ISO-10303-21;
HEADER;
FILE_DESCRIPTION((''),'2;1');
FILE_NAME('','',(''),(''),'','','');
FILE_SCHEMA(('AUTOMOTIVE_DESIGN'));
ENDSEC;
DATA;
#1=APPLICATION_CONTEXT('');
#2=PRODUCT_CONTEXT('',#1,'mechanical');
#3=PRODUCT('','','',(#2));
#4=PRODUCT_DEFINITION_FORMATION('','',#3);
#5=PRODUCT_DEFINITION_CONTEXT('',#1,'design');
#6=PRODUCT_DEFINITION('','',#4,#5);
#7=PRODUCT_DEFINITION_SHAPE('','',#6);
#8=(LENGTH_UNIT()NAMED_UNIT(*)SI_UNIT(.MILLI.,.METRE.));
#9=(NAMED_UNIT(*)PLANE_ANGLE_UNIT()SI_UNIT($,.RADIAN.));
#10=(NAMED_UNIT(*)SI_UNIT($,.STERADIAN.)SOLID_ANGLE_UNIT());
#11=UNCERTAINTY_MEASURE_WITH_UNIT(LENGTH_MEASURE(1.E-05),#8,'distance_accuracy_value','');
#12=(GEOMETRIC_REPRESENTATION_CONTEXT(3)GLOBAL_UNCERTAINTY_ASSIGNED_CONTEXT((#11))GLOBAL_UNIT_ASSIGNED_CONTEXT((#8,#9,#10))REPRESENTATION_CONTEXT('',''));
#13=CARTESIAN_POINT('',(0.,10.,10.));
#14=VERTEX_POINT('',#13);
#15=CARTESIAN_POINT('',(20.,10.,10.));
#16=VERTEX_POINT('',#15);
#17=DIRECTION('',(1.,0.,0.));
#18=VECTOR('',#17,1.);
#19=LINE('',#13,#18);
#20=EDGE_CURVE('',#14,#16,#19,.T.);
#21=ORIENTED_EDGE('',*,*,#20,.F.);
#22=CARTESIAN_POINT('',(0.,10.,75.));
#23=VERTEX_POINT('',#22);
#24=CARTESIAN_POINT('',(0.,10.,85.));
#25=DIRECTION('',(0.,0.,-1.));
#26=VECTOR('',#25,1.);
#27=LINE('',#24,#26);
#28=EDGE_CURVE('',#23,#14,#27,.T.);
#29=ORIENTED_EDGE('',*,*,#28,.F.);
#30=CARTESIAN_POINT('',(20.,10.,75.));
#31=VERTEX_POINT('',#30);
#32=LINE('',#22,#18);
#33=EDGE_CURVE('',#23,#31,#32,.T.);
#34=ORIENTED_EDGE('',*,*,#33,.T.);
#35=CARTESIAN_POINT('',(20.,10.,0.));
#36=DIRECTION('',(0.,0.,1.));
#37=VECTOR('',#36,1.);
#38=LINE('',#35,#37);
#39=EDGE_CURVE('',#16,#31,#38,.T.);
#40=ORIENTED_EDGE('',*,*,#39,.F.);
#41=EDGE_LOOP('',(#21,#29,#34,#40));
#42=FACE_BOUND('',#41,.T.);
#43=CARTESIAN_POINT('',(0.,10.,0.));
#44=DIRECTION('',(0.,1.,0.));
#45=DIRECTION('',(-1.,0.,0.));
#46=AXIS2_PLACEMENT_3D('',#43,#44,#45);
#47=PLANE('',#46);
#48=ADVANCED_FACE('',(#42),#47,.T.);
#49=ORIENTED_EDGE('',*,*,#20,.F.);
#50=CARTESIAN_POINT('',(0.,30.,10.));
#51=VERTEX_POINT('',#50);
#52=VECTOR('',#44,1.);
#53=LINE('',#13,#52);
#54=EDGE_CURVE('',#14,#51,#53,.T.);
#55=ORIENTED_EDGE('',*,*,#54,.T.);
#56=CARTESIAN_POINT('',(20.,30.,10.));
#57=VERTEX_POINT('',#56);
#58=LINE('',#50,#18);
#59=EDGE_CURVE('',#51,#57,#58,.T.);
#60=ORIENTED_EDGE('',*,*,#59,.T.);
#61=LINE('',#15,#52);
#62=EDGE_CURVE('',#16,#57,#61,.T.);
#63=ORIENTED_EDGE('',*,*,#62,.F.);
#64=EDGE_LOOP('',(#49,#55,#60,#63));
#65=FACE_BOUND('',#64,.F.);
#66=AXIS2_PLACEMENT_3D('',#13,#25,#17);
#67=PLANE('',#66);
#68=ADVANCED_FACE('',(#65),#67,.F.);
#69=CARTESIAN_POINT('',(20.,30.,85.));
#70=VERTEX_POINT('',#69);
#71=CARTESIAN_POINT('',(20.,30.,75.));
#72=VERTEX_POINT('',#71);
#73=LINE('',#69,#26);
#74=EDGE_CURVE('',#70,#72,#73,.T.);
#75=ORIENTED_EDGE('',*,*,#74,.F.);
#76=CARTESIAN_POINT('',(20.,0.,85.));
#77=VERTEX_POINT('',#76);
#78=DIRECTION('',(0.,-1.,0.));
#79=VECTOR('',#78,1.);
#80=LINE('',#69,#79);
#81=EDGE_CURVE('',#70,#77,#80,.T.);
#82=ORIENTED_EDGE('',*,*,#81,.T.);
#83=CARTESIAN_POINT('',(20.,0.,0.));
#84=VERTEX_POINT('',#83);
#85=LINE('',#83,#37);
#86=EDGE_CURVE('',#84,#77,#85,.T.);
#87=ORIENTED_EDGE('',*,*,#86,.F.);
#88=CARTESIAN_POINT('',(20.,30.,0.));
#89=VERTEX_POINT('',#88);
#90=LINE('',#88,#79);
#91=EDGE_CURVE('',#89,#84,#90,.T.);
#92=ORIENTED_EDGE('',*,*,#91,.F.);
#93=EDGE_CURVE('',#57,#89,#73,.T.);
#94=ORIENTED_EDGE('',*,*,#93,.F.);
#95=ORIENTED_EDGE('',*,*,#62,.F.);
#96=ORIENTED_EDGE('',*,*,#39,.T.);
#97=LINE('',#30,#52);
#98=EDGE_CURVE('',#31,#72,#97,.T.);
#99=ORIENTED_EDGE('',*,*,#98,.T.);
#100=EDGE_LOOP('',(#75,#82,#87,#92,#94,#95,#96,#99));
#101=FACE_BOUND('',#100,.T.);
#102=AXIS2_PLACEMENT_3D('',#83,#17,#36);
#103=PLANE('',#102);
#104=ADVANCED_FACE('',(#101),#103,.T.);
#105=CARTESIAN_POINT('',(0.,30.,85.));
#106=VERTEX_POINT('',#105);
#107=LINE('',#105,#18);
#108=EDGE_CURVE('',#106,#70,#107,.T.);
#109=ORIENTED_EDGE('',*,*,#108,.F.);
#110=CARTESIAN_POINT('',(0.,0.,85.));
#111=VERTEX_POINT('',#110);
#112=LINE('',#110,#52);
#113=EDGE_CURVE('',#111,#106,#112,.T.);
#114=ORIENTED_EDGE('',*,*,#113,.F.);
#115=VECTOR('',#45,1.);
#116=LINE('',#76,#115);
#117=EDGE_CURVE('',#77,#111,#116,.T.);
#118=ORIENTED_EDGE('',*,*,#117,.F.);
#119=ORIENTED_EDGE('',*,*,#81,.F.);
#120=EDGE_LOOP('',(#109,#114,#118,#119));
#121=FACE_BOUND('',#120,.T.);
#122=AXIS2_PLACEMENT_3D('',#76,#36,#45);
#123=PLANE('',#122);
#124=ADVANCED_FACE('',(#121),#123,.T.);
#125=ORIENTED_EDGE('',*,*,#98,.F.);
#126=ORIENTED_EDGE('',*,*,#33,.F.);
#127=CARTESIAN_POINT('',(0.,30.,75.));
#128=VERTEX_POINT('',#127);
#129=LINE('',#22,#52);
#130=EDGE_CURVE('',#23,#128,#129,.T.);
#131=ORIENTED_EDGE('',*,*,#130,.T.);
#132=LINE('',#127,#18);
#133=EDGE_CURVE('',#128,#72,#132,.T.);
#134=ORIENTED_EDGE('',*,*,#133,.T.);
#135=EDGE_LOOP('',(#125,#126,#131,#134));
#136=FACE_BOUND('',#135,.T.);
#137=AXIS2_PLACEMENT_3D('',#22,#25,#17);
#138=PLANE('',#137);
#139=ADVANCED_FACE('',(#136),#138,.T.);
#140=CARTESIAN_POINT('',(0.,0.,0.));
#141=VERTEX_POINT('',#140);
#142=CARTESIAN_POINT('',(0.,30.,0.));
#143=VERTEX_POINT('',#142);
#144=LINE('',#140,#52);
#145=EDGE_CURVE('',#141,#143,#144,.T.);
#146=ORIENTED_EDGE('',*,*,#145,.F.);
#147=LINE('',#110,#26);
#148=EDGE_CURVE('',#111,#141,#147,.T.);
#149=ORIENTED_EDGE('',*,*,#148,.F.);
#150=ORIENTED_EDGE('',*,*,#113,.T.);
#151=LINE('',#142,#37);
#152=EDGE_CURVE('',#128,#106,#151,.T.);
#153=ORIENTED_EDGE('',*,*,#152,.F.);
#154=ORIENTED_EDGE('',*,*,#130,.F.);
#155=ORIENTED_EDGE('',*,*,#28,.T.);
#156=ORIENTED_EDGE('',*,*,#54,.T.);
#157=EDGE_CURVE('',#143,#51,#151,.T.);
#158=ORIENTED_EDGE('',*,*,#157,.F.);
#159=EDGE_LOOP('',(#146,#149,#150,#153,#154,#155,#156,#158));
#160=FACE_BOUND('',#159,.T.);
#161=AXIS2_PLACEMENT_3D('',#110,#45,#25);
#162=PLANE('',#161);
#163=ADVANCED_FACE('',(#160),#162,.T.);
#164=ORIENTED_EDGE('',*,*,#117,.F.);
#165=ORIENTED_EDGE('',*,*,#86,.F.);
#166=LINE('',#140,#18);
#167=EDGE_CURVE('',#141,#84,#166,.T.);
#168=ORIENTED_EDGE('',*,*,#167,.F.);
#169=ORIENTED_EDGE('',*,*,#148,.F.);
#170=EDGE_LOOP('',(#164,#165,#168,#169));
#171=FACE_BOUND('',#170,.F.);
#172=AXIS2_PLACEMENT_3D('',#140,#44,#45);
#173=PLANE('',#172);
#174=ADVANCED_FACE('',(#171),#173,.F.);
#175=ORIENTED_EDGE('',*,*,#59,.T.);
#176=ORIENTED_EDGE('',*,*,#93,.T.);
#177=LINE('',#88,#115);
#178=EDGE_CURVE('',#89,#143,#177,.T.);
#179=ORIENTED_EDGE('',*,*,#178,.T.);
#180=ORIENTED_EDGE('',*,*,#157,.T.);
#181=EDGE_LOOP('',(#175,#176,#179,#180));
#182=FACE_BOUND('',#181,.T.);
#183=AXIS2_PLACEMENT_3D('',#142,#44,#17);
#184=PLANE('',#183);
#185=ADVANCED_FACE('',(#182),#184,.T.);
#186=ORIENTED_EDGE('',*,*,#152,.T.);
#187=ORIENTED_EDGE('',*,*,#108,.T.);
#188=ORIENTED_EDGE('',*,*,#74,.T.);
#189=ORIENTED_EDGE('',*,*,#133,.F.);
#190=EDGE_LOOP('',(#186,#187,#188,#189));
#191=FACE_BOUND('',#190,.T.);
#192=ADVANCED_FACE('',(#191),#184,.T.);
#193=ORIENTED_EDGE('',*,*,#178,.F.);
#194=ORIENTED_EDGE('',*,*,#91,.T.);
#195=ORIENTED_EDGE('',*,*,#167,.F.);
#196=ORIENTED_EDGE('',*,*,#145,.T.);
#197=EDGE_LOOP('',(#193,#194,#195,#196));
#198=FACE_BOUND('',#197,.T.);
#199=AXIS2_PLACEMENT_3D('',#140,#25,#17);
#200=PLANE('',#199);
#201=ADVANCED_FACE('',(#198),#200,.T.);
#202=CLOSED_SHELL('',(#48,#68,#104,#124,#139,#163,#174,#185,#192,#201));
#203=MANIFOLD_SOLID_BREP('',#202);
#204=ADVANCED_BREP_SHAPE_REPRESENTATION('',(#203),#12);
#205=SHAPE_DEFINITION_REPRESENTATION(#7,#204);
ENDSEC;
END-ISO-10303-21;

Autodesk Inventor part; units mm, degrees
ref_plane "YZ Plane" through (0, 0, 0) normal (1, 0, 0) x (0, 1, 0)
ref_plane "XZ Plane" through (0, 0, 0) normal (0, 1, 0) x (-1, 0, 0)
ref_plane "XY Plane" through (0, 0, 0) normal (0, 0, 1) x (1, 0, 0)
sketch "Sketch1" plane through (0, 0, 0) normal (0, 1, 0) x (-1, 0, 0)
  line L0 (0, 0) -> (-20, 0)
  line L1 (-20, 0) -> (-20, 85)
  line L2 (-20, 85) -> (0, 85)
  line L3 (0, 85) -> (0, 0)
  dimension "d0" = 20
  dimension "d1" = 85
extrude "Extrusion1" add sketch "Sketch1" along normal blind 10
sketch "Sketch2" plane through (0, 10, 0) normal (0, 1, 0) x (1, 0, 0)
  line L0 (20, -85) -> (20, 0) projected
  line L1 (0, 0) -> (0, -85) projected
  line L2 (20, 0) -> (0, 0)
  line L3 (0, 0) -> (0, -10)
  line L4 (0, -10) -> (20, -10)
  line L5 (20, -10) -> (20, 0)
  line L6 (0, -85) -> (20, -85) projected
  line L7 (20, -85) -> (0, -85)
  line L8 (0, -85) -> (0, -75)
  line L9 (0, -75) -> (20, -75)
  line L10 (20, -75) -> (20, -85)
  dimension "d4" = 10
  dimension "d5" = 10
extrude "Extrusion2" add sketch "Sketch2" along normal blind 20 contours L6 L1 L9 L0 | L4 L1 L2 L0
properties part number "ExtraSupport"
